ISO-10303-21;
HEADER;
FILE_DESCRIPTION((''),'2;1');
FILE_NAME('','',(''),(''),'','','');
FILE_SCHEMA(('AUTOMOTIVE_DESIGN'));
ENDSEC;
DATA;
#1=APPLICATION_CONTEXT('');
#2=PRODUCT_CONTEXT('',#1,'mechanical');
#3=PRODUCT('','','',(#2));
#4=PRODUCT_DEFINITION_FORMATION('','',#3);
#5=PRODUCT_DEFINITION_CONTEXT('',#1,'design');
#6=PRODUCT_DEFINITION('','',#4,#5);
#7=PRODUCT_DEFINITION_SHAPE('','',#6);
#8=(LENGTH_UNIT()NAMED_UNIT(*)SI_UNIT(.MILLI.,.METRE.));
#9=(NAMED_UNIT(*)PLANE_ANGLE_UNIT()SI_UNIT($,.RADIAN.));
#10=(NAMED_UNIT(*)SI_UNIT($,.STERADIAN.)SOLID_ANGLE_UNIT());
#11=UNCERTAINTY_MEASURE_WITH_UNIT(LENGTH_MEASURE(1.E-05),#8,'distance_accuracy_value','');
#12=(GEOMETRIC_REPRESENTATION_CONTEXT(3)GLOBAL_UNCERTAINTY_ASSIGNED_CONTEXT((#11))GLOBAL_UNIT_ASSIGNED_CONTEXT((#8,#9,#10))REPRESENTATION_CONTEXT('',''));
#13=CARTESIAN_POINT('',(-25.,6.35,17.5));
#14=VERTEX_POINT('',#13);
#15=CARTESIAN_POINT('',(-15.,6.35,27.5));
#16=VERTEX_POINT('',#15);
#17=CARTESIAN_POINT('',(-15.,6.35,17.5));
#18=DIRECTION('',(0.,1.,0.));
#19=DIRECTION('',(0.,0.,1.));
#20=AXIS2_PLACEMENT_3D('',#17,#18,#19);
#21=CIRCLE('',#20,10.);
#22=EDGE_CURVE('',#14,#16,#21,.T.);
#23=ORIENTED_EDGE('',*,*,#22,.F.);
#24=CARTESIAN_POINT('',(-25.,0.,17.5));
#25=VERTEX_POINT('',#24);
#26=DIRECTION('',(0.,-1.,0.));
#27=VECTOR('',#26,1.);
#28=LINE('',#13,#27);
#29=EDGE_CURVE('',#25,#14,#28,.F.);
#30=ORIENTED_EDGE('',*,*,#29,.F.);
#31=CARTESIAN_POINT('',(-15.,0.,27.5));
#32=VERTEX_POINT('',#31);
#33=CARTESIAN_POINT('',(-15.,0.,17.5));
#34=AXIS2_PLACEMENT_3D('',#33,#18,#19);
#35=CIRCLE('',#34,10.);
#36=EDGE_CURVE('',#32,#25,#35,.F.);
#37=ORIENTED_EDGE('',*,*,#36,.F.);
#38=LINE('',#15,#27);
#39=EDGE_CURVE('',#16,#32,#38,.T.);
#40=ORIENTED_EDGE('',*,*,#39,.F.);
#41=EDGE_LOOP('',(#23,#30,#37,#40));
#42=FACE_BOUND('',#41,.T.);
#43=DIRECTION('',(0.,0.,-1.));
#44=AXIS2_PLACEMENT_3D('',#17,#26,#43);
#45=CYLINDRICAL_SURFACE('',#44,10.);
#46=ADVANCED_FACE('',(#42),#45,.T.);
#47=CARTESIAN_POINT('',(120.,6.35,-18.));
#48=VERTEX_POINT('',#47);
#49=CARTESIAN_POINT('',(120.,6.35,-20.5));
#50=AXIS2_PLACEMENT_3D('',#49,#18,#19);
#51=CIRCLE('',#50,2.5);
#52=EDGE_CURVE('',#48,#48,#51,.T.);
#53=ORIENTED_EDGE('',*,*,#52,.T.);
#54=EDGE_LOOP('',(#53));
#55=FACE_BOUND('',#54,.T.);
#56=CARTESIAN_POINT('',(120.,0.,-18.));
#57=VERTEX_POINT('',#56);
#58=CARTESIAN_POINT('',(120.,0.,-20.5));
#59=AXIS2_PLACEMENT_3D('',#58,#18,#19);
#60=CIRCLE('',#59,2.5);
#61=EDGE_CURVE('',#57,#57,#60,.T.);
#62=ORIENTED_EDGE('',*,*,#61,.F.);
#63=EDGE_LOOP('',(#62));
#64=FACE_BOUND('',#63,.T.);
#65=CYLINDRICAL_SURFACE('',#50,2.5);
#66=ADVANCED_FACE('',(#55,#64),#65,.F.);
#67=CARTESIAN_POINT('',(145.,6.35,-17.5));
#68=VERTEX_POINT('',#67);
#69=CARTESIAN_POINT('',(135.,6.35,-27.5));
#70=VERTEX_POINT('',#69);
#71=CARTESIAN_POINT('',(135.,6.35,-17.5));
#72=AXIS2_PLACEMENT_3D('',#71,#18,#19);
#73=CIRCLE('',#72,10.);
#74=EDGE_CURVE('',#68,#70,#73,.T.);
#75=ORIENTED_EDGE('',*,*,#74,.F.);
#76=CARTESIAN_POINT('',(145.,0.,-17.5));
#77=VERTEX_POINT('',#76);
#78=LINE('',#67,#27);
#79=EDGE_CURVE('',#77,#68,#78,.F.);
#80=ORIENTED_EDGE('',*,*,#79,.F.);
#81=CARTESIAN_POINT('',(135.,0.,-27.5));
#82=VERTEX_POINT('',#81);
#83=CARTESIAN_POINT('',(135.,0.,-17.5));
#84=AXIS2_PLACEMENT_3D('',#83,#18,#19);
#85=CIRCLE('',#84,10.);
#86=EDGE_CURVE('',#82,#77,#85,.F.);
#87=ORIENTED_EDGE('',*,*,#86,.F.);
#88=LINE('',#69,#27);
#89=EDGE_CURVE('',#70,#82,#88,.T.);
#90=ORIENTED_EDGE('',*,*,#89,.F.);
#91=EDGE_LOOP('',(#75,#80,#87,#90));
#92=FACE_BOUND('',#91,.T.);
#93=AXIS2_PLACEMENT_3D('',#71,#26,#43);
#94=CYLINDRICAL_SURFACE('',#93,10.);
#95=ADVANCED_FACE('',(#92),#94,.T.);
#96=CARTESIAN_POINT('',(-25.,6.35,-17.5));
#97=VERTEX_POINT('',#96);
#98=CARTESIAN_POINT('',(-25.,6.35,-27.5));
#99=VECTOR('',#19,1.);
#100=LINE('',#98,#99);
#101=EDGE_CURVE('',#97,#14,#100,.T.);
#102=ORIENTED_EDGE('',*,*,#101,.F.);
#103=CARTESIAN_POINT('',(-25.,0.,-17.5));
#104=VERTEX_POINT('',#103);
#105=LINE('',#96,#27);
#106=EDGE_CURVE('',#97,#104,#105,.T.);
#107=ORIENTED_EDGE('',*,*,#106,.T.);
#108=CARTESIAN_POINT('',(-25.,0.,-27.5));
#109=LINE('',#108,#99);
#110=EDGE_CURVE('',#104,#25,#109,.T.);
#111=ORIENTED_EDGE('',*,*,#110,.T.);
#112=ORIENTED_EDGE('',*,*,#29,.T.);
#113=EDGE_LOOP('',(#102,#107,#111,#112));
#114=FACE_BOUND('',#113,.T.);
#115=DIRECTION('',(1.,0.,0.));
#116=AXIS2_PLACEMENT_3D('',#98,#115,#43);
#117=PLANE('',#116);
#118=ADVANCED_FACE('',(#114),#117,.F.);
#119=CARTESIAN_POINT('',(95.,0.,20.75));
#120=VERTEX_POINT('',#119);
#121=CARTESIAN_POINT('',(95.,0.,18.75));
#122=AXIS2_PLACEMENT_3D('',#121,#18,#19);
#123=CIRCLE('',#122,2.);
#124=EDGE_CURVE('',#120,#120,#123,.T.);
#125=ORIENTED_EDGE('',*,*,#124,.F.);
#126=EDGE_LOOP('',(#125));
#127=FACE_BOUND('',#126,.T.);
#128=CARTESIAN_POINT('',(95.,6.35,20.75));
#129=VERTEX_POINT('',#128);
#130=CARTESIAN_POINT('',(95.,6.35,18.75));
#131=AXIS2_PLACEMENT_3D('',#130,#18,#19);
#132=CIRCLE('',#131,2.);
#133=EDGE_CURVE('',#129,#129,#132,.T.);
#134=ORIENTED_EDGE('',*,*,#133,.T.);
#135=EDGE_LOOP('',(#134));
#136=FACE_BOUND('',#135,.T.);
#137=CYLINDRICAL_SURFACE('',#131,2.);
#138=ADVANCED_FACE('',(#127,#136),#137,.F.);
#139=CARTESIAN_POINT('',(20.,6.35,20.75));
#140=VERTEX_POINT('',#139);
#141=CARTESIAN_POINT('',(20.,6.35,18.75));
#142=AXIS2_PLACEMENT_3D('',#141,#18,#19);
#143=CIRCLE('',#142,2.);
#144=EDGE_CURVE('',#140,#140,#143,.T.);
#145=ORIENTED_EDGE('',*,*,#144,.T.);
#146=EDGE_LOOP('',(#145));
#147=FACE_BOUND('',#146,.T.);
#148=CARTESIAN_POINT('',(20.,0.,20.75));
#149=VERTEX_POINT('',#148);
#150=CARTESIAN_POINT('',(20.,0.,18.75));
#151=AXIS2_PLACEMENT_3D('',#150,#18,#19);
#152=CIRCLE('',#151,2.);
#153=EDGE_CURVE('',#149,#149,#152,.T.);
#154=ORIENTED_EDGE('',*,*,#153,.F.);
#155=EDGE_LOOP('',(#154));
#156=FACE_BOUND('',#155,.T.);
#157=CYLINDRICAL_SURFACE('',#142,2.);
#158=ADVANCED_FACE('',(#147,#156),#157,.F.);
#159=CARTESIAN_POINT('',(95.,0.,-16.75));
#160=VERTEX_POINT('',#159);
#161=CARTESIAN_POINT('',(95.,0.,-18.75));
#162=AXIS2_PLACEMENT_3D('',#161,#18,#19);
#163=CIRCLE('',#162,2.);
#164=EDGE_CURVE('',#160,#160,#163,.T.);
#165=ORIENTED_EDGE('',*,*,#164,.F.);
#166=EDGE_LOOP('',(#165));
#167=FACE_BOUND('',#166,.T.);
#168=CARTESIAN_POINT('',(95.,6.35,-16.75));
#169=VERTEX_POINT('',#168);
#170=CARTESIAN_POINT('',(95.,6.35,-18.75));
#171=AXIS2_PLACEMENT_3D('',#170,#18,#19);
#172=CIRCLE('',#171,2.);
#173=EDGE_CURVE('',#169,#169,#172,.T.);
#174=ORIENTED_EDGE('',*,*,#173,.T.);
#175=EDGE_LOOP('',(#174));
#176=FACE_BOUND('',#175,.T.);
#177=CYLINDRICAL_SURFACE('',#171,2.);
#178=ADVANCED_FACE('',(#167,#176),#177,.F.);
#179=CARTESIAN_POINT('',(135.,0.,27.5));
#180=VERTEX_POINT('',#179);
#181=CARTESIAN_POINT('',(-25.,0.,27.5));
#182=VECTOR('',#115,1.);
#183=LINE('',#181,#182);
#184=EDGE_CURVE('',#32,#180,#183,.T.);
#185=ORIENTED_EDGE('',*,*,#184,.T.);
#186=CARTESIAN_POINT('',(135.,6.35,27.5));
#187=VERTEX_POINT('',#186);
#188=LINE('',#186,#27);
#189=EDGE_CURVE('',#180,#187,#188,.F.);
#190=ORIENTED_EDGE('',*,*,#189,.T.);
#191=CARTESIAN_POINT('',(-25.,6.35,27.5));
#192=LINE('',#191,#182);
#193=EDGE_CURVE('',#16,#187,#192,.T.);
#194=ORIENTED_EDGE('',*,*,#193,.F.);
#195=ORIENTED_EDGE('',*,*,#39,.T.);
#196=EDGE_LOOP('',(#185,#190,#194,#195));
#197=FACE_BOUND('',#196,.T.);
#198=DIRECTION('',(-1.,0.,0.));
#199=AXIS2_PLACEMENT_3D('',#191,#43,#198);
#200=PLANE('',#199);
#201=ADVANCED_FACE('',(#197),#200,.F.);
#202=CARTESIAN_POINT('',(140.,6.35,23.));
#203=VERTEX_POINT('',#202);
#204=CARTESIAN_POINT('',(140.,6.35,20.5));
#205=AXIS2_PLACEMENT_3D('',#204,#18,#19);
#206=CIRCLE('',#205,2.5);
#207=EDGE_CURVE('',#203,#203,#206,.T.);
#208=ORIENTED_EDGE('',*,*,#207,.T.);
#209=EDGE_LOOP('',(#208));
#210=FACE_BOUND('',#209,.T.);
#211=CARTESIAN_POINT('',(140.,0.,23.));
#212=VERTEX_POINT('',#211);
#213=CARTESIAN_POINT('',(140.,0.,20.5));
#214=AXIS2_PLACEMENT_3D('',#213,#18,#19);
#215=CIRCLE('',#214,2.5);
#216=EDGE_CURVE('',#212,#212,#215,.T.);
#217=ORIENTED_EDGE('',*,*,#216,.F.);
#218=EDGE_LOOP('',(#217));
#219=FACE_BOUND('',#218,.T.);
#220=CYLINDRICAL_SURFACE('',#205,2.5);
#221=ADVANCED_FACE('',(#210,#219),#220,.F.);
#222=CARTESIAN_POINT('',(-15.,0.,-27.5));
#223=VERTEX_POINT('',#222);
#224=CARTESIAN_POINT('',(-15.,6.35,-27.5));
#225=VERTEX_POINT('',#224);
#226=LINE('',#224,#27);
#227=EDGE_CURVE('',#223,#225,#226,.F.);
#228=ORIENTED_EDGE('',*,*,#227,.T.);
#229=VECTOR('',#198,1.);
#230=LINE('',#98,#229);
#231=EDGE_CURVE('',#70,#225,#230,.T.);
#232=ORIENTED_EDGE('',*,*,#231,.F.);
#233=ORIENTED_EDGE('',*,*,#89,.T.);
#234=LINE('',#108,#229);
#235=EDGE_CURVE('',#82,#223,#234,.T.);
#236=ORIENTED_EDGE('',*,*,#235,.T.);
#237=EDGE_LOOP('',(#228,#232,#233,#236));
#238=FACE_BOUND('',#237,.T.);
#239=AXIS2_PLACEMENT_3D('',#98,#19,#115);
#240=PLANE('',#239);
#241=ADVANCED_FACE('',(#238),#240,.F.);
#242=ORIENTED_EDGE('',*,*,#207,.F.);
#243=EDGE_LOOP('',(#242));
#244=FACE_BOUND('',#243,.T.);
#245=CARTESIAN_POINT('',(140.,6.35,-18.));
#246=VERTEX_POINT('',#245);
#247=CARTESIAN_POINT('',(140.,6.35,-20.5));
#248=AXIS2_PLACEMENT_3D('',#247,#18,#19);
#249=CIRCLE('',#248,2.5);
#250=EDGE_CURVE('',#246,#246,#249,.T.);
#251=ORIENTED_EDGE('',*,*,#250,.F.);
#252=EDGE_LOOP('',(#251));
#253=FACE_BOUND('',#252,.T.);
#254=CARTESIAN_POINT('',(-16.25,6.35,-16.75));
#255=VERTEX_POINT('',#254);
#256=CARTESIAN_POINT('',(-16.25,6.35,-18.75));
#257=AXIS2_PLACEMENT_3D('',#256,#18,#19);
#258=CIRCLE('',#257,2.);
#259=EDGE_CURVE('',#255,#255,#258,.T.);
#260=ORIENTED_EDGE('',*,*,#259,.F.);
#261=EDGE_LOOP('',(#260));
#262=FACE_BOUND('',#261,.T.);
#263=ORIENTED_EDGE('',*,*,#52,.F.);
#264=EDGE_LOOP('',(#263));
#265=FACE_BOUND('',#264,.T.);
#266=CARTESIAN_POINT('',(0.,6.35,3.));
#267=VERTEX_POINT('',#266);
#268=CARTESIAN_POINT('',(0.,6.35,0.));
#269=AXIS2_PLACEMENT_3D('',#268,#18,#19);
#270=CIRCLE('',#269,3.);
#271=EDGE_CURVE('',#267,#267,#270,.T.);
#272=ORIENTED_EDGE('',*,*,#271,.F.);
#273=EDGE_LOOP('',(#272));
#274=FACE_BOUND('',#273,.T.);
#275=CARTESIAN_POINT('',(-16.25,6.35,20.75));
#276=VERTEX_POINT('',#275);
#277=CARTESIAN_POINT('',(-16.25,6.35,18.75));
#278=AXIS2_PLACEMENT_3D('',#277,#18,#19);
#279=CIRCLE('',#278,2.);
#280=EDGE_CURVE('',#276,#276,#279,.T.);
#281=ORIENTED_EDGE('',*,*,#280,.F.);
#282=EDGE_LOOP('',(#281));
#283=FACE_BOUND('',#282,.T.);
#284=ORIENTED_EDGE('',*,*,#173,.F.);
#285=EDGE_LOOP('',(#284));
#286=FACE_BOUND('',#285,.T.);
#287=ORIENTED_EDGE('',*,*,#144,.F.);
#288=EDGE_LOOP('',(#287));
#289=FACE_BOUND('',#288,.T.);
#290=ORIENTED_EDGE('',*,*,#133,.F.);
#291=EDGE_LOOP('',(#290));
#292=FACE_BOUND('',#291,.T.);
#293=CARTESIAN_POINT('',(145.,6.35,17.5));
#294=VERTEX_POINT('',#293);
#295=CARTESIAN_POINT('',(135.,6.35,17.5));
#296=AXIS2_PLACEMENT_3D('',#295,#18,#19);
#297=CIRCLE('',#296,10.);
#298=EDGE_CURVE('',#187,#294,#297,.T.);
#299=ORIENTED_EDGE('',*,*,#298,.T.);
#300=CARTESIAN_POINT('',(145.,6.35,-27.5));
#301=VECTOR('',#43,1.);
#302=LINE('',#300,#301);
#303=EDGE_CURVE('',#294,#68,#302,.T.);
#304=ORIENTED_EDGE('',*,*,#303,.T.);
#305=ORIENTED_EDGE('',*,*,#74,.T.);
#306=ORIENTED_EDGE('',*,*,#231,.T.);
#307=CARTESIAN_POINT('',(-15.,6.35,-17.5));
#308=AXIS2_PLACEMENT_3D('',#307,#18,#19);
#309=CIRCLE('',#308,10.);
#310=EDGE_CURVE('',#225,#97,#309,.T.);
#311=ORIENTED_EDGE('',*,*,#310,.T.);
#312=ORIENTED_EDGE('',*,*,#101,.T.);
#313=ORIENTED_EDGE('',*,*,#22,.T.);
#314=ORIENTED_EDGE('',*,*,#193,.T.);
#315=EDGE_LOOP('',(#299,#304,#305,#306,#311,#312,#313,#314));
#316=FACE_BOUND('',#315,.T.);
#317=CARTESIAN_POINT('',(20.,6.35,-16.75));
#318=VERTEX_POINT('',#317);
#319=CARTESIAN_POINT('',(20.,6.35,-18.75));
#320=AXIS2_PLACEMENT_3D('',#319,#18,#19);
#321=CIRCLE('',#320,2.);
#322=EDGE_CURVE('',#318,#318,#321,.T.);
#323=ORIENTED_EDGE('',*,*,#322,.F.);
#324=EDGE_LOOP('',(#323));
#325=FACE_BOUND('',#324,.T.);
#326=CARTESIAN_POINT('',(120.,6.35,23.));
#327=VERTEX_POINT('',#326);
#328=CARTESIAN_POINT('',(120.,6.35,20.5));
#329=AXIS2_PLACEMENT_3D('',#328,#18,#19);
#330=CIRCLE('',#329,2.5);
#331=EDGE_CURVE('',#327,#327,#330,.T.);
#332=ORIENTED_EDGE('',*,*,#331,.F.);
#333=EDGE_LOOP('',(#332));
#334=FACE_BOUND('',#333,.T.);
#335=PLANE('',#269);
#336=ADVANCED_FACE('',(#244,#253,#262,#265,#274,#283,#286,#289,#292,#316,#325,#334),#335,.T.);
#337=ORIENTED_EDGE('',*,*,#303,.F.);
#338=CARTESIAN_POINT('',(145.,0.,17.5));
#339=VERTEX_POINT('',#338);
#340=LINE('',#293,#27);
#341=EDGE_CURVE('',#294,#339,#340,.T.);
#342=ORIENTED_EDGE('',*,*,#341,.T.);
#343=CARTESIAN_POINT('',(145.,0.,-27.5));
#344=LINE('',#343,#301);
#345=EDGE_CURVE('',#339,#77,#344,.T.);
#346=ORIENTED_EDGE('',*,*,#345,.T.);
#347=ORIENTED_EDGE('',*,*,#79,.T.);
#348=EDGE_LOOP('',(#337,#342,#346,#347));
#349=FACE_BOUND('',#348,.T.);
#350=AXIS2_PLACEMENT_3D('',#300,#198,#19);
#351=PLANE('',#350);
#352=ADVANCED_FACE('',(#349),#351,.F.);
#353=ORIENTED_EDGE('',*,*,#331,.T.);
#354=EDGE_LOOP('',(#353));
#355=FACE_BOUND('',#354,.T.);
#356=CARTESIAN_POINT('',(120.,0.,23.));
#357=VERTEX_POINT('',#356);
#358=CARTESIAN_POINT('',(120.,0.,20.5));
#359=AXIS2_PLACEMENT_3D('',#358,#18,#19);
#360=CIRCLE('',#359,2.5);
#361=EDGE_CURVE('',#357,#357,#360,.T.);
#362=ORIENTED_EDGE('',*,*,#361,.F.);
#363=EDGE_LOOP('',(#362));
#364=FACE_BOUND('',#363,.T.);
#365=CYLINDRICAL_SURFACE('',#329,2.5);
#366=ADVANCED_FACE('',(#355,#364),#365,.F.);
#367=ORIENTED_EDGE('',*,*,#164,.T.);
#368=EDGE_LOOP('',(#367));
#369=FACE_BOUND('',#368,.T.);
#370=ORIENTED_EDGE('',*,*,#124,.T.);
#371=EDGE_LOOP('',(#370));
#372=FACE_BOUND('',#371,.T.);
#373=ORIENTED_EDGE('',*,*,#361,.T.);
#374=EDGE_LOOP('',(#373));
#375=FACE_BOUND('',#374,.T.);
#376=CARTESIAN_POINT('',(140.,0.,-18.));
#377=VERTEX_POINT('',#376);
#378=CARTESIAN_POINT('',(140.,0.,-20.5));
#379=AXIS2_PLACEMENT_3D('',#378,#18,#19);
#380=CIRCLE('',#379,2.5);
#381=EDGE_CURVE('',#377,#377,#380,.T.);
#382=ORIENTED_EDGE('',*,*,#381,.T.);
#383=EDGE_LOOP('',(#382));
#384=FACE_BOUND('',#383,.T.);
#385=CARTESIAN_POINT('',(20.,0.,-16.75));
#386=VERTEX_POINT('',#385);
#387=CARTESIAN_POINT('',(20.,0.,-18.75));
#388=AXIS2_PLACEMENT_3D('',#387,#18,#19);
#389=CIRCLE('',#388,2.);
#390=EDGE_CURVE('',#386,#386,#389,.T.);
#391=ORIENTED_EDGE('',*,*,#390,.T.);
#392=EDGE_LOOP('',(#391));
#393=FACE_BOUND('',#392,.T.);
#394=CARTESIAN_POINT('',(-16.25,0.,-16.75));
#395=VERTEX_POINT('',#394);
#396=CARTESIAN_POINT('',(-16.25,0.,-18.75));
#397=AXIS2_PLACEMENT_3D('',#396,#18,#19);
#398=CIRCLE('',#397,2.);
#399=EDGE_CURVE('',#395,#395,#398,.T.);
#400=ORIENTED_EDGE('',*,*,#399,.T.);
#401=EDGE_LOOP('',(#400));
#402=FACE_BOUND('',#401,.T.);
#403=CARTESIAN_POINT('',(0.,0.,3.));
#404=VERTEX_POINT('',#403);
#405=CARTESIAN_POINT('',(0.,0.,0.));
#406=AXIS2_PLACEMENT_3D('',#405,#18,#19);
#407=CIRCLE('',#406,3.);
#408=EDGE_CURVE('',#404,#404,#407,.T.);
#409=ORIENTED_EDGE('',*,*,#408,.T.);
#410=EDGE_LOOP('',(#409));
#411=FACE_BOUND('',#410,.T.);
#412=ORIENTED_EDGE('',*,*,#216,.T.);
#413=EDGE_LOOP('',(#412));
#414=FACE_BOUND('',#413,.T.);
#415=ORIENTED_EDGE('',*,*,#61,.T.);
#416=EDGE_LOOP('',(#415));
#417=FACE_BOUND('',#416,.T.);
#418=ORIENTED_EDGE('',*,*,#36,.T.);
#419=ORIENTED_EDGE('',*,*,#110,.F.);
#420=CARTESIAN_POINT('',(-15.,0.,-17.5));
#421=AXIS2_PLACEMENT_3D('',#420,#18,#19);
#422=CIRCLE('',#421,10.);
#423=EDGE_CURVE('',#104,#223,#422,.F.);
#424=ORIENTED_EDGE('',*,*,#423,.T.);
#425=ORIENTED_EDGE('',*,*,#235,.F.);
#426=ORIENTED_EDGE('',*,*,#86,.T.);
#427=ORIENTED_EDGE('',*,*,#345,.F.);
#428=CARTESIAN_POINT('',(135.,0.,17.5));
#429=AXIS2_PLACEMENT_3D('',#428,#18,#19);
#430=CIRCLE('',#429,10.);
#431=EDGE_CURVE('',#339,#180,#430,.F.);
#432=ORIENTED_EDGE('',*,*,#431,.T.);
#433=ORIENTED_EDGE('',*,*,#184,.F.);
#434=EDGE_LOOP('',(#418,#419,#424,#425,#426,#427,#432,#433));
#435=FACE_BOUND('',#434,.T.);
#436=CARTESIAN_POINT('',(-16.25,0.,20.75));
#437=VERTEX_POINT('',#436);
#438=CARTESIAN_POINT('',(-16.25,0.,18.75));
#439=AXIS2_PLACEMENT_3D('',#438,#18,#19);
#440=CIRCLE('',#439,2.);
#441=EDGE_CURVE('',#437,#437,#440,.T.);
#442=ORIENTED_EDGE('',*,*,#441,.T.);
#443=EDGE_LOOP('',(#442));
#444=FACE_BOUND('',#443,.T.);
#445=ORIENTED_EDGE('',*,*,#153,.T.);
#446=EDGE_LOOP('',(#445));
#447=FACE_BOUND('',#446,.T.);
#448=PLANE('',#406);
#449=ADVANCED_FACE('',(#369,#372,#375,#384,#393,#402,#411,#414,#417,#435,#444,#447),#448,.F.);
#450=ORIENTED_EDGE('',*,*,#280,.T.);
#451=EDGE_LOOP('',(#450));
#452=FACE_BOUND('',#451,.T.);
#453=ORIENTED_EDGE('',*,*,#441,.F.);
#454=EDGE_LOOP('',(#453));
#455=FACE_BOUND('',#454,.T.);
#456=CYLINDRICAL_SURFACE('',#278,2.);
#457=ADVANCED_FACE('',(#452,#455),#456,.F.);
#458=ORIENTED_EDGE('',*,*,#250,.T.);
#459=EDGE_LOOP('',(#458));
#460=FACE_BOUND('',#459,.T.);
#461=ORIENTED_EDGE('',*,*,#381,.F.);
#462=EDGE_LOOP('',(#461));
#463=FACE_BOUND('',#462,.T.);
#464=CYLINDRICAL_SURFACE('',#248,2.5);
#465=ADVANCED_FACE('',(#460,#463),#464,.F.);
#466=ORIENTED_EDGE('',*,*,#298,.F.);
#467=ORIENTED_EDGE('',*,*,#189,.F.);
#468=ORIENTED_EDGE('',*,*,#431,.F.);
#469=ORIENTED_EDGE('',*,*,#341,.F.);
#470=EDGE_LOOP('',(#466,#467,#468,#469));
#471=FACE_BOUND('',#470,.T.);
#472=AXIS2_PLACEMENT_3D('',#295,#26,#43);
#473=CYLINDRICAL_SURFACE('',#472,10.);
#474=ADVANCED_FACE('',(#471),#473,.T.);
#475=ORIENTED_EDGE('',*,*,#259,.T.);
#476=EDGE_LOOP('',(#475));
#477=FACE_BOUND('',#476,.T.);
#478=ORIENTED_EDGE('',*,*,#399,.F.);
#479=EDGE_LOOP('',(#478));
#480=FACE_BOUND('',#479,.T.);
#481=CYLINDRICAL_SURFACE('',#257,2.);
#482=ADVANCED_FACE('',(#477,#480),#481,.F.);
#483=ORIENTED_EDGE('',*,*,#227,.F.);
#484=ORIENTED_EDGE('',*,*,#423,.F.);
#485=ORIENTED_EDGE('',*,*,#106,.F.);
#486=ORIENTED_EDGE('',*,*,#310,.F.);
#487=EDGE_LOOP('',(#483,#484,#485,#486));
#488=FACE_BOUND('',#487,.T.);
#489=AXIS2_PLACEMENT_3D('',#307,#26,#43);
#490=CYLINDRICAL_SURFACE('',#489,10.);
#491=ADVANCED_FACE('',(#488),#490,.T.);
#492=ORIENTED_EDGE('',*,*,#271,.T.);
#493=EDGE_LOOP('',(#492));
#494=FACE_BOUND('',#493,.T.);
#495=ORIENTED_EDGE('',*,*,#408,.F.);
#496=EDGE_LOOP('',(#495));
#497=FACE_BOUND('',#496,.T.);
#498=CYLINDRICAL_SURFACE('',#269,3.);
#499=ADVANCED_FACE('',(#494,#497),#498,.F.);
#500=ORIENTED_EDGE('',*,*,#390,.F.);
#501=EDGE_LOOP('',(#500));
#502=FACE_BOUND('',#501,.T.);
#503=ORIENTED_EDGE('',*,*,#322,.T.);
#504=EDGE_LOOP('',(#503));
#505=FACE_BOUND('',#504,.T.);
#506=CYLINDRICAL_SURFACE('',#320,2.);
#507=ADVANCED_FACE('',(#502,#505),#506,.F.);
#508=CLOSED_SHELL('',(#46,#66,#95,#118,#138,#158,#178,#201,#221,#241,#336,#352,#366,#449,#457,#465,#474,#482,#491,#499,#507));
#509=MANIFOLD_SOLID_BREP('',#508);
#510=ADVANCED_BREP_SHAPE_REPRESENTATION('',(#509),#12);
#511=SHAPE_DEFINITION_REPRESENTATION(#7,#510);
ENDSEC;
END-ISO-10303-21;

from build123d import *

# Parameters (mm, degrees)
SKETCH1_W                 = 170
SKETCH1_H                 = 55
BOSS_EXTRUDE1_DEPTH       = 6.35
FILLET1_R                 = 10
F_6_0MM_DOWEL_HOLE1_D     = 6
F_4_0MM_DOWEL_HOLE1_D     = 4
F_4_0MM_DOWEL_HOLE1_DEPTH = 6.35
F_5_0MM_DOWEL_HOLE1_D     = 5


with BuildPart() as part:
    # Sketch1 → Boss-Extrude1 (new body)
    with BuildSketch(Plane(origin=(0, 0, 0), x_dir=(1, 0, 0), z_dir=(0, 1, 0))):
        with Locations((60, 0)):
            Rectangle(SKETCH1_W, SKETCH1_H)
    extrude(amount=BOSS_EXTRUDE1_DEPTH)

    # Fillet1
    fillet1_edges = [part.edges().sort_by_distance(p)[0] for p in [
        (-25, 3.175, -27.5),
        (145, 3.175, -27.5),
        (145, 3.175, 27.5),
        (-25, 3.175, 27.5),
    ]]
    fillet(fillet1_edges, radius=FILLET1_R)

    # Ø6.0mm Dowel Hole1 (through all)
    with Locations(Plane(origin=(0, 6.35, 0), x_dir=(1, 0, 0), z_dir=(0, 1, 0))):
        with Locations((0, 0)):
            Hole(F_6_0MM_DOWEL_HOLE1_D / 2)

    # Ø4.0mm Dowel Hole1
    with Locations(Plane(origin=(0, 6.35, 0), x_dir=(1, 0, 0), z_dir=(0, 1, 0))):
        with Locations((-16.25, -18.75), (20, -18.75), (95, -18.75), (170, -18.75), (170, 18.75), (95, 18.75), (20, 18.75), (-16.25, 18.75)):
            Hole(F_4_0MM_DOWEL_HOLE1_D / 2, depth=F_4_0MM_DOWEL_HOLE1_DEPTH)

    # Ø5.0mm Dowel Hole1 (through all)
    with Locations(Plane(origin=(0, 6.35, 0), x_dir=(1, 0, 0), z_dir=(0, 1, 0))):
        with Locations((140, 20.5), (120, 20.5), (140, -20.5), (120, -20.5)):
            Hole(F_5_0MM_DOWEL_HOLE1_D / 2)


solid = part.part
